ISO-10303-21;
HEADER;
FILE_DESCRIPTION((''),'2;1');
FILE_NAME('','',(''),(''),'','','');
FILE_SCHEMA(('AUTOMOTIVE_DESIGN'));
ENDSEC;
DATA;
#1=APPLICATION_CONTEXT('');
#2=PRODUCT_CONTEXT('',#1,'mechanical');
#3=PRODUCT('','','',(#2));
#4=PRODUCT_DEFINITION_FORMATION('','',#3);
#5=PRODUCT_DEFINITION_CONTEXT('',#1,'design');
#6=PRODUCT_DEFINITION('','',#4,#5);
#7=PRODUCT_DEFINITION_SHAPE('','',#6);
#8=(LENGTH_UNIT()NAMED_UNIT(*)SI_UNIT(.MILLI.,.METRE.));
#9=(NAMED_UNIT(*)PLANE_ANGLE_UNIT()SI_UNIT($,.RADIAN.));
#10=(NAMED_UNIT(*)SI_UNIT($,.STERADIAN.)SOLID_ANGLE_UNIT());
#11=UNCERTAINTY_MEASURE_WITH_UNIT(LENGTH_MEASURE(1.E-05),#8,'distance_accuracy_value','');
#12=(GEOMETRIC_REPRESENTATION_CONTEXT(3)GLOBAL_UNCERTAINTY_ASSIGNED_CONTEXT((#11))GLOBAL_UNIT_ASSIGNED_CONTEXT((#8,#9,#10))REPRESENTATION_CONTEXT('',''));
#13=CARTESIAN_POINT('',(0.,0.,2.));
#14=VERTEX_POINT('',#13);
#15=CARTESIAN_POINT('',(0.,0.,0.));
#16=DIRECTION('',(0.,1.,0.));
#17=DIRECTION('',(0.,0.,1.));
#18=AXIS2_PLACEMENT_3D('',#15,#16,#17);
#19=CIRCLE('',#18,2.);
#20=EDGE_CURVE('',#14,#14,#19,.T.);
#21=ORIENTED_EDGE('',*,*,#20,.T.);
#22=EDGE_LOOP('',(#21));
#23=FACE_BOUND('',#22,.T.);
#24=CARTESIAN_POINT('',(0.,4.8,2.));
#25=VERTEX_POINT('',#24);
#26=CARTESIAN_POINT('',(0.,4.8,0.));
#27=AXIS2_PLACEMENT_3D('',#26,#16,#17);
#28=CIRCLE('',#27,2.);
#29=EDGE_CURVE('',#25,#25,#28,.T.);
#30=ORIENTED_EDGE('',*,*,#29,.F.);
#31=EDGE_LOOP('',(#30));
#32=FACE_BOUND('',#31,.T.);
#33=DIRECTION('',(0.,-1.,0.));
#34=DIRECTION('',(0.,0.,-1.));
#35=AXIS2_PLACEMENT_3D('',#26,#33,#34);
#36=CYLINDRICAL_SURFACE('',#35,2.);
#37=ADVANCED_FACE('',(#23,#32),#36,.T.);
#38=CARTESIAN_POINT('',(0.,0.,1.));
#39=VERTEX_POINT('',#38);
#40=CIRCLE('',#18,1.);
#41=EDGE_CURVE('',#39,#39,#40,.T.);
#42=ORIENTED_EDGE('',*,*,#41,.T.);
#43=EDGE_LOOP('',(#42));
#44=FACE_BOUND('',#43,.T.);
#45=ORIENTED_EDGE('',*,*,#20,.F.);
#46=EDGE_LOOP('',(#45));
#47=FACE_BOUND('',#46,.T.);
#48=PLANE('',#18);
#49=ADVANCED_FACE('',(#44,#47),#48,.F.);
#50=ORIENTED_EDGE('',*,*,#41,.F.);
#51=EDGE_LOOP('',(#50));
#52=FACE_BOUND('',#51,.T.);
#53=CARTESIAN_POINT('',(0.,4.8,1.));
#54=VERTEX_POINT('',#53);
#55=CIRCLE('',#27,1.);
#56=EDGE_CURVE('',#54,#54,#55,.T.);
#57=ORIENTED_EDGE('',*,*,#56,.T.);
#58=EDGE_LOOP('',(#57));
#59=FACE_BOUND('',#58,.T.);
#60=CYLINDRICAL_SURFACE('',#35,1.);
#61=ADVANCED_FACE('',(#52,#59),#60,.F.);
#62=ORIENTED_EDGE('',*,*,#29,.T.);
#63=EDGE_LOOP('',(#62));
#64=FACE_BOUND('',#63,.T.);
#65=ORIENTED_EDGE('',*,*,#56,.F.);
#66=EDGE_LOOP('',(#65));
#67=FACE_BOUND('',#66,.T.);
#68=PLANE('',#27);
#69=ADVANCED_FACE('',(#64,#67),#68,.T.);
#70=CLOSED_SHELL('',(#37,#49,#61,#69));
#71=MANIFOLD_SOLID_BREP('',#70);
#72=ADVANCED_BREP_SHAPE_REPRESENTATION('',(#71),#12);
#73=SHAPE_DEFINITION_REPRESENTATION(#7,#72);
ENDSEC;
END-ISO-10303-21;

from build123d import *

# Parameters (mm, degrees)
SKETCH1_R           = 2
SKETCH1_R_2         = 1
BOSS_EXTRUDE1_DEPTH = 4.8


with BuildPart() as part:
    # Sketch1 → Boss-Extrude1 (new body)
    with BuildSketch(Plane(origin=(0, 0, 0), x_dir=(1, 0, 0), z_dir=(0, 1, 0))):
        Circle(SKETCH1_R)
        Circle(SKETCH1_R_2, mode=Mode.SUBTRACT)
    extrude(amount=BOSS_EXTRUDE1_DEPTH)


solid = part.part
